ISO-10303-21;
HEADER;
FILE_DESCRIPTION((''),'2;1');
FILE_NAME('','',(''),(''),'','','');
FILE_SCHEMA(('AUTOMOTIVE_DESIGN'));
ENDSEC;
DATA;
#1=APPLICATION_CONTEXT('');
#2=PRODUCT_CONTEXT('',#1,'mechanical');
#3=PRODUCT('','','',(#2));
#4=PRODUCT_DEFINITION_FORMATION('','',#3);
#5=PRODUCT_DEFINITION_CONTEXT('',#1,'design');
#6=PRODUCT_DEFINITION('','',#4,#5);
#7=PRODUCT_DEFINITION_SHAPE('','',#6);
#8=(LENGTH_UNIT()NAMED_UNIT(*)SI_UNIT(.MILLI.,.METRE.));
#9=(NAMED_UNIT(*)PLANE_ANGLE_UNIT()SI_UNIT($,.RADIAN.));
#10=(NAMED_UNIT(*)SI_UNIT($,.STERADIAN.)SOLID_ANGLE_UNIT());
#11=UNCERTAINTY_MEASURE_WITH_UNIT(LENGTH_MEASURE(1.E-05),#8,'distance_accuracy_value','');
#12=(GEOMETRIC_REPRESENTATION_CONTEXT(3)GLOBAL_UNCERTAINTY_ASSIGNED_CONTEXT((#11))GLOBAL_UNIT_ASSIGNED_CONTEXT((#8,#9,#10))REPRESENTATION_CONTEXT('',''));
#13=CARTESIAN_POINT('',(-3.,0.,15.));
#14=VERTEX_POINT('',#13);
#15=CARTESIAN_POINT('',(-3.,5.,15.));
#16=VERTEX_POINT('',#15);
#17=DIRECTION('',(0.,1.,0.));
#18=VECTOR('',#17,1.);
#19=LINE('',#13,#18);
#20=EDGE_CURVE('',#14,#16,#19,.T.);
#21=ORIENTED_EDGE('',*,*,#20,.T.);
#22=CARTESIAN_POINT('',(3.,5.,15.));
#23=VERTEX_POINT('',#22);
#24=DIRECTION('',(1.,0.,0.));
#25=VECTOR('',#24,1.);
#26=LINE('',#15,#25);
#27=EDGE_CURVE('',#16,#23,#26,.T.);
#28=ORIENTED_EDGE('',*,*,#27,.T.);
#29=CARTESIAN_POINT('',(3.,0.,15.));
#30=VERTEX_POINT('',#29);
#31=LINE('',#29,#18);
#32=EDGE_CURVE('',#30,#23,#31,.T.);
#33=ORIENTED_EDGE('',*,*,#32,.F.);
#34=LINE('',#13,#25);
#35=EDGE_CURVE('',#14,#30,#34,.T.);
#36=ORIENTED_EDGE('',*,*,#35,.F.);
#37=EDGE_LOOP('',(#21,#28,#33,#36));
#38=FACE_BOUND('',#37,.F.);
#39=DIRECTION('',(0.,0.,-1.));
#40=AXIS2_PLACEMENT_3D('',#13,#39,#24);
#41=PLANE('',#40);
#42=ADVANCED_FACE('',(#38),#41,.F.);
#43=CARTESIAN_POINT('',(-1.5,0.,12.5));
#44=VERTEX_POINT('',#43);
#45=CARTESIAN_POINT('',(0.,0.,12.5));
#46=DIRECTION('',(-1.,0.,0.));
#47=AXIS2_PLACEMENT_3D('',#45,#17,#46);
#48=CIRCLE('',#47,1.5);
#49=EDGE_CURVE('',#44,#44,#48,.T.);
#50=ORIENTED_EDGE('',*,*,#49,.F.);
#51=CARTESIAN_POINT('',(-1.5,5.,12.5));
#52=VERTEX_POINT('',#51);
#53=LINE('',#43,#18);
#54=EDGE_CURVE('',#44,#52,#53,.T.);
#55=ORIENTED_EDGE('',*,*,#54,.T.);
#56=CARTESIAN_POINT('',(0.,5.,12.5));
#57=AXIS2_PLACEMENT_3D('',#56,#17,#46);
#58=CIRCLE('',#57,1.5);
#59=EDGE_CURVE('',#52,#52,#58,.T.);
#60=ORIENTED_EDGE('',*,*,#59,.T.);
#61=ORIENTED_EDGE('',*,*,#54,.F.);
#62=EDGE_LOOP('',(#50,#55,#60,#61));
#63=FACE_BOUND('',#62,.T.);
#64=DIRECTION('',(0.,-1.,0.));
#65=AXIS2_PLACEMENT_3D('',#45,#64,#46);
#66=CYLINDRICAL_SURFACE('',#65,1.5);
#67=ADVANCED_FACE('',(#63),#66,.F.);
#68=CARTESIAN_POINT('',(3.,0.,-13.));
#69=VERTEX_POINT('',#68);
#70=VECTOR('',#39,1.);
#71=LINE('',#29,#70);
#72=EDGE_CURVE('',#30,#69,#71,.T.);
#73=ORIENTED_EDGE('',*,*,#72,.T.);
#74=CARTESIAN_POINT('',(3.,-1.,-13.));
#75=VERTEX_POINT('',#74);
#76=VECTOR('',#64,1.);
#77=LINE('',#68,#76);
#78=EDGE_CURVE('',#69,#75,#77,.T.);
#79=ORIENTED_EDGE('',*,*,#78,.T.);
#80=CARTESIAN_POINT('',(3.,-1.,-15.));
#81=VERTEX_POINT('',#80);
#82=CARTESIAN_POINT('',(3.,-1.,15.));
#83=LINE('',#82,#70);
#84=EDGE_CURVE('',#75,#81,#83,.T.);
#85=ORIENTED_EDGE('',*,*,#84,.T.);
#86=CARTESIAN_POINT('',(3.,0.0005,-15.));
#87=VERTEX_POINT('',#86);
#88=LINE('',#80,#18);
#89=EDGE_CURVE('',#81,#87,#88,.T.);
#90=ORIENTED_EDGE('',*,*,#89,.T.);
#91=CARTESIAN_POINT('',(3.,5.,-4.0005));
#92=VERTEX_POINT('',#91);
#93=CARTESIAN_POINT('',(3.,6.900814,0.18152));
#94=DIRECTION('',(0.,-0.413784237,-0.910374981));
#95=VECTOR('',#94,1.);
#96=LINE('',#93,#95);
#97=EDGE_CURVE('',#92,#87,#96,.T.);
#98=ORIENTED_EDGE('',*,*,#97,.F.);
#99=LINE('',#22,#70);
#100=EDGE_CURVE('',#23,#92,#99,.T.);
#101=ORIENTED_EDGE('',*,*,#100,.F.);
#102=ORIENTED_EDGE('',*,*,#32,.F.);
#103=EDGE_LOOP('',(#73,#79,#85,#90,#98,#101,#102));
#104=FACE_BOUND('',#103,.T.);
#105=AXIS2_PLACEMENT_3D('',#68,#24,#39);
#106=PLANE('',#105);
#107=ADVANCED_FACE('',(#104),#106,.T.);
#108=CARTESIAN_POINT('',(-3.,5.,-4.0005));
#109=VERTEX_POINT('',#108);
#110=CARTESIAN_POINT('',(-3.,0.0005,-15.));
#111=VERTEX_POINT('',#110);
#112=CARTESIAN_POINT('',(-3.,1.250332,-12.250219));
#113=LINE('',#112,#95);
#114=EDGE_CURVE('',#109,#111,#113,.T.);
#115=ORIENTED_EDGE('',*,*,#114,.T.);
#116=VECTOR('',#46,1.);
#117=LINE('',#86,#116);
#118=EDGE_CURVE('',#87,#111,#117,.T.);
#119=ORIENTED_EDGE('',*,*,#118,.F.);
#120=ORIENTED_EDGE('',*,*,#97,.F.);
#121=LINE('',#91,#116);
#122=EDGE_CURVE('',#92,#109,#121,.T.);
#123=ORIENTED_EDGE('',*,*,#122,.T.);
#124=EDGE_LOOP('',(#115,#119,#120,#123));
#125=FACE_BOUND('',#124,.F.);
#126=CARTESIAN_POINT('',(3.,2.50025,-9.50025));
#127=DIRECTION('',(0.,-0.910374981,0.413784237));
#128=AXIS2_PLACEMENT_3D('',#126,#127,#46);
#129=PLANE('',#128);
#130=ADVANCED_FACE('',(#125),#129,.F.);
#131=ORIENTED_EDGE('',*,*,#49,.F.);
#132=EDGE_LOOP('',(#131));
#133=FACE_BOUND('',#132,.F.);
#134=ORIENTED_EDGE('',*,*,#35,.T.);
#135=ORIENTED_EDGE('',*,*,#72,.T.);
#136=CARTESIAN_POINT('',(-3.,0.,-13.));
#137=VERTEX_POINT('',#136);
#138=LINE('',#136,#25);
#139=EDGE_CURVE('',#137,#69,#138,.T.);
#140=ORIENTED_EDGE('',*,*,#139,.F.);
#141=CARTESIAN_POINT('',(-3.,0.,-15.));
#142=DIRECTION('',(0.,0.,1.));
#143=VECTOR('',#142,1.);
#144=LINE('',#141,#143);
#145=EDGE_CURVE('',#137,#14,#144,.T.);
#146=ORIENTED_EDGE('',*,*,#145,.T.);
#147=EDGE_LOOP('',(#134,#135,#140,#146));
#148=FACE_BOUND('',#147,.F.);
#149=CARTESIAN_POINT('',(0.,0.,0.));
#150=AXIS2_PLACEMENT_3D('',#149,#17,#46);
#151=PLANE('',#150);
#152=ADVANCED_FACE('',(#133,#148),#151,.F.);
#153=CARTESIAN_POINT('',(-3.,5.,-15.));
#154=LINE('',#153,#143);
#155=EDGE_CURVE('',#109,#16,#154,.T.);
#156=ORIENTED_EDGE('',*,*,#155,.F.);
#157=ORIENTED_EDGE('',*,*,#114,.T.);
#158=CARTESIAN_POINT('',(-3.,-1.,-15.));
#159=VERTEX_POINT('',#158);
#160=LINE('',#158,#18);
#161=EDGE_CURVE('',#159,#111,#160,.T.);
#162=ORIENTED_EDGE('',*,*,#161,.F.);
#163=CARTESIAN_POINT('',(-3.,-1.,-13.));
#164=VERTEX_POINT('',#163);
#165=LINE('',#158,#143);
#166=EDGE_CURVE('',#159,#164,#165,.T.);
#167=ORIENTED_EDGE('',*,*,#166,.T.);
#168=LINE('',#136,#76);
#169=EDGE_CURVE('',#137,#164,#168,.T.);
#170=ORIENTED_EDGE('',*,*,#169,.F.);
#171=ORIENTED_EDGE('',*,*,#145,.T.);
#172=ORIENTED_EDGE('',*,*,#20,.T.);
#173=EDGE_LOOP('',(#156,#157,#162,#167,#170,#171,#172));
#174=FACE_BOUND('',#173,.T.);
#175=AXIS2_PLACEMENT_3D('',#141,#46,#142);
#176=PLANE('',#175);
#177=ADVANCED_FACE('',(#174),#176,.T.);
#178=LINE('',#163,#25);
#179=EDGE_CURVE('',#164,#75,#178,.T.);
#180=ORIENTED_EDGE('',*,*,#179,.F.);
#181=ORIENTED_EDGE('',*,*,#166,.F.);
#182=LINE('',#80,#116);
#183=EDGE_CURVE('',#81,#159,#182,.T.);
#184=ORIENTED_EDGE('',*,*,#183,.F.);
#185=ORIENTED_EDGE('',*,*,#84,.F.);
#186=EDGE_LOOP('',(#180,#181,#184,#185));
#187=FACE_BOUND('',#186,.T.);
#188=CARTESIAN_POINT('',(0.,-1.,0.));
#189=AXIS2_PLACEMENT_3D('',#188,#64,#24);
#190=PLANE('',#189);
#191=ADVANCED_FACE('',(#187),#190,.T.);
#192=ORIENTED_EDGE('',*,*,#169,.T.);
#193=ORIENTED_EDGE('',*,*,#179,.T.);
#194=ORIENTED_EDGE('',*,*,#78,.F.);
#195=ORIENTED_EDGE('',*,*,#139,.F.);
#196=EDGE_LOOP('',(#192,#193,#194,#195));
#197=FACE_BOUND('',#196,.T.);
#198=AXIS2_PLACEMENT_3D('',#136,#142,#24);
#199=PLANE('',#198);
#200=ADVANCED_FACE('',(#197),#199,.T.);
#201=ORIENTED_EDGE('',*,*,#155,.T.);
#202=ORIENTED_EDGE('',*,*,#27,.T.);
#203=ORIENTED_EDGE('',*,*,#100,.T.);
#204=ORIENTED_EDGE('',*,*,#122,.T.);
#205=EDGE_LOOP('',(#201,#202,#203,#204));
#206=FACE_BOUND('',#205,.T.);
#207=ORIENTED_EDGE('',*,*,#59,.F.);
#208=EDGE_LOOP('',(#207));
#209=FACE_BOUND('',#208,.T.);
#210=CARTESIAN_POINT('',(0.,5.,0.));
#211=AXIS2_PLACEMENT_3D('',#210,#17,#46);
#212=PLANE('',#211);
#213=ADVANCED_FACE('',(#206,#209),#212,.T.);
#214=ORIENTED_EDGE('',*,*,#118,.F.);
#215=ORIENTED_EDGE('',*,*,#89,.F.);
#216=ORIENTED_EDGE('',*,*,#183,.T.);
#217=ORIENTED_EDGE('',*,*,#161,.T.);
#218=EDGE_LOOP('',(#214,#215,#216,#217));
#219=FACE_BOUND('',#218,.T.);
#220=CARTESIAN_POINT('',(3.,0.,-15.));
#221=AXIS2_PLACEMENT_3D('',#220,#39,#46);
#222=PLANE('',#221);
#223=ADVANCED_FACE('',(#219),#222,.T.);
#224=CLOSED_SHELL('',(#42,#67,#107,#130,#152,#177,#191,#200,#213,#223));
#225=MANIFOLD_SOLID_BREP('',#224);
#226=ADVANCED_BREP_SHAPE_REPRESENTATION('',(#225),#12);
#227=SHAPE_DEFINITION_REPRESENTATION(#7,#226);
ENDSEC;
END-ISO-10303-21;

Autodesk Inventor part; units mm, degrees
ref_plane "YZ Plane" through (0, 0, 0) normal (1, 0, 0) x (0, 1, 0)
ref_plane "XZ Plane" through (0, 0, 0) normal (0, 1, 0) x (-1, 0, 0)
ref_plane "XY Plane" through (0, 0, 0) normal (0, 0, 1) x (1, 0, 0)
sketch "Boceto1" plane through (0, 0, 0) normal (0, 1, 0) x (-1, 0, 0)
  line L0 (-3, -15) -> (3, -15)
  line L1 (3, -15) -> (3, 15)
  line L2 (3, 15) -> (-3, 15)
  line L3 (-3, 15) -> (-3, -15)
  line L4 (-3, -15) -> (3, 15) construction
  line L5 (3, -15) -> (-3, 15) construction
  circle A0 centre (0, 12.5) radius 1.5
  point P0 (0, 0)
  point P1 (0, 15)
  dimension "d0" = 6
  dimension "d1" = 30
  dimension "d3" = 3
  dimension "d12" = 2.5
extrude "Extrusión1" add sketch "Boceto1" along normal blind 5
chamfer "Chaflán1" distance 11 distance2 5 1 edges at (0, 5, -15) measured on face at (-0.0603, 5, -6.3297)
sketch "Boceto2" plane through (0, 0, 0) normal (0, -1, 0) x (1, 0, 0)
  line L0 (3, 15) -> (3, -15) projected
  line L1 (-3, -15) -> (-3, 15) projected
  line L2 (3, -15) -> (-3, -15)
  line L3 (-3, -15) -> (-3, -13)
  line L4 (-3, -13) -> (3, -13)
  line L5 (3, -13) -> (3, -15)
  point P0 (0, 0)
  point P1 (-3, -15)
  point P2 (3, -13)
  dimension "d9" = 2
extrude "Extrusión2" add sketch "Boceto2" along normal blind 1
properties part number "Soporte PCB pieza plastico"
